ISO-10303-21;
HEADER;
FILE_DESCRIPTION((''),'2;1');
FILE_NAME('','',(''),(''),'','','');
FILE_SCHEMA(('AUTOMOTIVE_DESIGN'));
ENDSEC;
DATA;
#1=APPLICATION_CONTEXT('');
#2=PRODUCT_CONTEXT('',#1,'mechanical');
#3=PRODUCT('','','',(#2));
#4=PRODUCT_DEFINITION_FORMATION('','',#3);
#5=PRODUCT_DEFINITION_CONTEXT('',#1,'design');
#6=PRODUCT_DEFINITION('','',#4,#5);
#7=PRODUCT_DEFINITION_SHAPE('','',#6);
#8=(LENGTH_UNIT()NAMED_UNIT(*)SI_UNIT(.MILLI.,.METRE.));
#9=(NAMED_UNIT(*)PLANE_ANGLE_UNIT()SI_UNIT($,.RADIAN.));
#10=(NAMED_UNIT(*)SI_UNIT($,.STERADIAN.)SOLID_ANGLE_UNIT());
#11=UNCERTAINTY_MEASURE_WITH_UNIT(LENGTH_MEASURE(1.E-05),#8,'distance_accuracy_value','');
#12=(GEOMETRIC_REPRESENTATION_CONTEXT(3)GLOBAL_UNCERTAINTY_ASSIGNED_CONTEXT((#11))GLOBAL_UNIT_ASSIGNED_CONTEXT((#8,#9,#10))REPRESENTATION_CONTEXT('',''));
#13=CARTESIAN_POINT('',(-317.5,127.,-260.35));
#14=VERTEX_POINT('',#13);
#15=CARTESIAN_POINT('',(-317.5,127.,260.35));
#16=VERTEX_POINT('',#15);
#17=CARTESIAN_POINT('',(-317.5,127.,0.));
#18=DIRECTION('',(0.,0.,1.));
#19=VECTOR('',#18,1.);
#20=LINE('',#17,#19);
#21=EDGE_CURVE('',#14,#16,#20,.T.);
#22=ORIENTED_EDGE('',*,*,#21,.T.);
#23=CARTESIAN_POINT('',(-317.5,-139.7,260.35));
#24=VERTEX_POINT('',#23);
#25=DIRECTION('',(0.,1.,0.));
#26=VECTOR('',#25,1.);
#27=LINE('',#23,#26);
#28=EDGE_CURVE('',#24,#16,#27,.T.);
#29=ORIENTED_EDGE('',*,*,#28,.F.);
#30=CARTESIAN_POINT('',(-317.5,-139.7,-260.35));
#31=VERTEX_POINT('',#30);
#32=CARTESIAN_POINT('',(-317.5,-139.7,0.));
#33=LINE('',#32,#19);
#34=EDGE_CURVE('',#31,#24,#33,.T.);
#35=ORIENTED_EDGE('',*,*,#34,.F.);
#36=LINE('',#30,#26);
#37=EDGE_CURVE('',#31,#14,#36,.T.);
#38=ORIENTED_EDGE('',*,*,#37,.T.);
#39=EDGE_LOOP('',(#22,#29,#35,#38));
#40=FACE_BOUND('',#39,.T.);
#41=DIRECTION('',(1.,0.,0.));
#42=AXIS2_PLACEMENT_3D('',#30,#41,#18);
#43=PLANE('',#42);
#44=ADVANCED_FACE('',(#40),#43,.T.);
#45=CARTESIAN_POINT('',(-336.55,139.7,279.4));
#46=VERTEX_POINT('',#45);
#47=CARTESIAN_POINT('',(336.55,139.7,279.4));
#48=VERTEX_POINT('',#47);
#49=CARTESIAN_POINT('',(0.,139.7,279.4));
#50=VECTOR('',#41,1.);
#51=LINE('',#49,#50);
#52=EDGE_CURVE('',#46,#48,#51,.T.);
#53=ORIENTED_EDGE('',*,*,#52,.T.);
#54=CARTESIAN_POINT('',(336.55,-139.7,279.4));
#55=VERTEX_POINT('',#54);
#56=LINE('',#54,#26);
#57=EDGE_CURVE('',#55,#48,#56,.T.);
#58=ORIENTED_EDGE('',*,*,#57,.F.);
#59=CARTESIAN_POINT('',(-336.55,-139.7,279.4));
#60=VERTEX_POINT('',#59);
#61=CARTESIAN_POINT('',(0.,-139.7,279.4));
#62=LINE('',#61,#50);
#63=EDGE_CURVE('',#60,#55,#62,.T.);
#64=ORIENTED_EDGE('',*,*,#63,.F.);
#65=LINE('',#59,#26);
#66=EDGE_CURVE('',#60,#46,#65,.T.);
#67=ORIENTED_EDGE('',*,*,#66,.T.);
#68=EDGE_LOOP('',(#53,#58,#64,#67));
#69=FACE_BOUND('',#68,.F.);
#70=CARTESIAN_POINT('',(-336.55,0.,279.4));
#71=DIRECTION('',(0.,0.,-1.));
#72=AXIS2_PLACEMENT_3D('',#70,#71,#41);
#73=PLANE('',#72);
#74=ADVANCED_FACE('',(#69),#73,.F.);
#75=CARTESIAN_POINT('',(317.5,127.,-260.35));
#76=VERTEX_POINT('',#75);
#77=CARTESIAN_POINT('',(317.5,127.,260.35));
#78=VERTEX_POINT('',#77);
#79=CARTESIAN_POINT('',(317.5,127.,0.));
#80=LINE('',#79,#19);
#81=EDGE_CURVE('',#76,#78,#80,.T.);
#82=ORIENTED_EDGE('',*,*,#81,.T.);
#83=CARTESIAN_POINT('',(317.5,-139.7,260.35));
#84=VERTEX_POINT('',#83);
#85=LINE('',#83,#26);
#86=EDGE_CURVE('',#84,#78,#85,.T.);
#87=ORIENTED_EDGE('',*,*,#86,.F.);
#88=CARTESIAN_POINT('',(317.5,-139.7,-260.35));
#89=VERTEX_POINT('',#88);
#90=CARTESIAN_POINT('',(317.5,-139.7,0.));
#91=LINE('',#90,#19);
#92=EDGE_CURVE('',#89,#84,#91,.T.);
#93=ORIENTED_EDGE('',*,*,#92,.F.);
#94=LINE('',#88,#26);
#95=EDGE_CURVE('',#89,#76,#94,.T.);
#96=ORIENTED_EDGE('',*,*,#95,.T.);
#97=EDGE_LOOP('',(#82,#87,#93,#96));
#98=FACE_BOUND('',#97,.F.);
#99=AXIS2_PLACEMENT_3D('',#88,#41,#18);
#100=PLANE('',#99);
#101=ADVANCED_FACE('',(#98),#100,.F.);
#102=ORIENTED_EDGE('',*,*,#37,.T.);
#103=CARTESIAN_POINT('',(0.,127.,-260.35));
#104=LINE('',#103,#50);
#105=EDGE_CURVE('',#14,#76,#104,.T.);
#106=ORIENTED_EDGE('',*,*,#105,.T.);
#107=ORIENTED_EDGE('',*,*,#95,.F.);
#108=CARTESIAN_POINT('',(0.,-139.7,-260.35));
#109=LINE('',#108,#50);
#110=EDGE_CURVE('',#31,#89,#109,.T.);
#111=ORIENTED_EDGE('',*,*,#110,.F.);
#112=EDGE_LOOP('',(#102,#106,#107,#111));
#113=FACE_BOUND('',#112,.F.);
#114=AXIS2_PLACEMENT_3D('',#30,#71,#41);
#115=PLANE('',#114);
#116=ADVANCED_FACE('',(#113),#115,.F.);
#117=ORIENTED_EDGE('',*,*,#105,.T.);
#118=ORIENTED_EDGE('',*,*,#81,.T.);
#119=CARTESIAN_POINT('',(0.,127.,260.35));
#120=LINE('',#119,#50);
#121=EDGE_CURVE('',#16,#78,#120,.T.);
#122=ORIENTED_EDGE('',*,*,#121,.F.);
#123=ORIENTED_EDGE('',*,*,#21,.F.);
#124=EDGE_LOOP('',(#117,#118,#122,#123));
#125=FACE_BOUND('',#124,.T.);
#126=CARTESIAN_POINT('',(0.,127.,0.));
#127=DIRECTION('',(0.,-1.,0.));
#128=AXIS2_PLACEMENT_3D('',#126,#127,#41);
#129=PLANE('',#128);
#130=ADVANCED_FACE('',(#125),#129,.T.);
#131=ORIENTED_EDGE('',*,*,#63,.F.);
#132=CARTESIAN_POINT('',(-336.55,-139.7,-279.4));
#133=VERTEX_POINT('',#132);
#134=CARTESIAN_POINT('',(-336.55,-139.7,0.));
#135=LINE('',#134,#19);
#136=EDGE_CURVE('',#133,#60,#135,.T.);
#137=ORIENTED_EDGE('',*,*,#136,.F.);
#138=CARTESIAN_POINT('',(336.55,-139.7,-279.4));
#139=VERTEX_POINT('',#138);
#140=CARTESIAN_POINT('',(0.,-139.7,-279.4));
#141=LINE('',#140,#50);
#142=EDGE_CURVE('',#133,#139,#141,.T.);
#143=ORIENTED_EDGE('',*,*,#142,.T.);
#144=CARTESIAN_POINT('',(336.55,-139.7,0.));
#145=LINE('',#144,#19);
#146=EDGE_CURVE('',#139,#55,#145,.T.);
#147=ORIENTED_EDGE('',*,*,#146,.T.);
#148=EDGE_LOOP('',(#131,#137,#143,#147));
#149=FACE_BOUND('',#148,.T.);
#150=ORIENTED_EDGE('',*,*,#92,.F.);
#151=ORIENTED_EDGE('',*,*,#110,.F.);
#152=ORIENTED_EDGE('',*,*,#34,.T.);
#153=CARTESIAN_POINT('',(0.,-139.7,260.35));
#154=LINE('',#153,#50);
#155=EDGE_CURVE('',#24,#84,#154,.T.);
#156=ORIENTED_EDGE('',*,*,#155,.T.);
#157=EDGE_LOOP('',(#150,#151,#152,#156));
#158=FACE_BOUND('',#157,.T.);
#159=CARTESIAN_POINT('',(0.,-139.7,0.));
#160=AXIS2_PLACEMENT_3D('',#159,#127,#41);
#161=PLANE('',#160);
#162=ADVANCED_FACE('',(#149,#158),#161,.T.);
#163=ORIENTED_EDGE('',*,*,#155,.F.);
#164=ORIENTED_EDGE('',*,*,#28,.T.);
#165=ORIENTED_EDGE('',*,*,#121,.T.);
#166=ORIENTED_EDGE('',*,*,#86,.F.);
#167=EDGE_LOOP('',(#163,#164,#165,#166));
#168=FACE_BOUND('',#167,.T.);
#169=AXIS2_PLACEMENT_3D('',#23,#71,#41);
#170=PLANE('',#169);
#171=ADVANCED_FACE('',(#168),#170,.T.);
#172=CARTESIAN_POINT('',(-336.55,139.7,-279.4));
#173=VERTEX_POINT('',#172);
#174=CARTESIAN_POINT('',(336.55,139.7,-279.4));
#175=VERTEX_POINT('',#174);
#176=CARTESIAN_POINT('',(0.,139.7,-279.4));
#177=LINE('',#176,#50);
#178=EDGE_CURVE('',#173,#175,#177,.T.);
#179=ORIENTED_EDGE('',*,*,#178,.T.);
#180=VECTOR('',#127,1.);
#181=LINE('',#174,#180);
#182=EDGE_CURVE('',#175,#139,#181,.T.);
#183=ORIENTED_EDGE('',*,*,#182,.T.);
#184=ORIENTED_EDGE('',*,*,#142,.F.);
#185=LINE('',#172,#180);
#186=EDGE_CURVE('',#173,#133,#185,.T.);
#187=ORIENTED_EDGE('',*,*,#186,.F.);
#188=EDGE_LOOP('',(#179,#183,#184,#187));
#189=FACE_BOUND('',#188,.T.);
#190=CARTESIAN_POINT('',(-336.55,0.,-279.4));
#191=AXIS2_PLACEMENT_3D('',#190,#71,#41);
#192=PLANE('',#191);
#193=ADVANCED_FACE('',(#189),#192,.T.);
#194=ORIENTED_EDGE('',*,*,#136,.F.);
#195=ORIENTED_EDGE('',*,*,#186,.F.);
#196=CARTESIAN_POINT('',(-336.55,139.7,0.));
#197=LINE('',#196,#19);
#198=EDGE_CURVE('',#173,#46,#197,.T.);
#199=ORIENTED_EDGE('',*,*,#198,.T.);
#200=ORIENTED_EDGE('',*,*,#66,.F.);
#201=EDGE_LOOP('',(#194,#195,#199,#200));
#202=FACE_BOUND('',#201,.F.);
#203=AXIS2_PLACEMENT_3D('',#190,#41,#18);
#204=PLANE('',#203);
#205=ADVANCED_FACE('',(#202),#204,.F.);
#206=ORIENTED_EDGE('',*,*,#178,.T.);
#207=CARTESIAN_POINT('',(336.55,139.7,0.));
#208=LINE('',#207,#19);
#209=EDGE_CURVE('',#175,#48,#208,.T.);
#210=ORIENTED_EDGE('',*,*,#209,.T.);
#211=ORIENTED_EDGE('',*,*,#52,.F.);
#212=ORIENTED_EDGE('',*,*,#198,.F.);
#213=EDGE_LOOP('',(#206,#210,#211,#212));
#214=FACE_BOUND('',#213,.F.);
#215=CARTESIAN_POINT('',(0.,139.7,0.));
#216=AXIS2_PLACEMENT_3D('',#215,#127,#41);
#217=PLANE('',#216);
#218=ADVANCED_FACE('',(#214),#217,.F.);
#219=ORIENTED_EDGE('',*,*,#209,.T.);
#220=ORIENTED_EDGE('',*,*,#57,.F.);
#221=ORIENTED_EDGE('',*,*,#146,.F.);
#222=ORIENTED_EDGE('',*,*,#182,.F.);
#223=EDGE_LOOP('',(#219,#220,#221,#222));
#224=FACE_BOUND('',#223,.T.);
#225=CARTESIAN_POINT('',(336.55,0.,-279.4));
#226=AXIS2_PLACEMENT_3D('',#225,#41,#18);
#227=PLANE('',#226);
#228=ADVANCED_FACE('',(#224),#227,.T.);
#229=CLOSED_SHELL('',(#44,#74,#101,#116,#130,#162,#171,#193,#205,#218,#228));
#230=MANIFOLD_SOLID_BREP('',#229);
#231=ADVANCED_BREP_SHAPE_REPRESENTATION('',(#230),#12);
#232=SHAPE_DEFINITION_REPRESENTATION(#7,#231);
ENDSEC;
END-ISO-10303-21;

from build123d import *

# Parameters (mm, degrees)
F0_W     = 673.1
F0_H     = 558.8
F1_DEPTH = 139.7
F2_W     = 635
F2_H     = 520.7
F3_DEPTH = 266.7


with BuildPart() as f1:
    # F0 (on Front) → F1 (new body, symmetric)
    with BuildSketch(Plane.XZ):
        Rectangle(F0_W, F0_H)
    extrude(amount=F1_DEPTH, both=True)

    # F2 (on face) → F3 (cut)
    with BuildSketch(Plane.XZ.offset(139.7)):
        Rectangle(F2_W, F2_H)
    extrude(amount=-F3_DEPTH, mode=Mode.SUBTRACT)


solid = f1.part
